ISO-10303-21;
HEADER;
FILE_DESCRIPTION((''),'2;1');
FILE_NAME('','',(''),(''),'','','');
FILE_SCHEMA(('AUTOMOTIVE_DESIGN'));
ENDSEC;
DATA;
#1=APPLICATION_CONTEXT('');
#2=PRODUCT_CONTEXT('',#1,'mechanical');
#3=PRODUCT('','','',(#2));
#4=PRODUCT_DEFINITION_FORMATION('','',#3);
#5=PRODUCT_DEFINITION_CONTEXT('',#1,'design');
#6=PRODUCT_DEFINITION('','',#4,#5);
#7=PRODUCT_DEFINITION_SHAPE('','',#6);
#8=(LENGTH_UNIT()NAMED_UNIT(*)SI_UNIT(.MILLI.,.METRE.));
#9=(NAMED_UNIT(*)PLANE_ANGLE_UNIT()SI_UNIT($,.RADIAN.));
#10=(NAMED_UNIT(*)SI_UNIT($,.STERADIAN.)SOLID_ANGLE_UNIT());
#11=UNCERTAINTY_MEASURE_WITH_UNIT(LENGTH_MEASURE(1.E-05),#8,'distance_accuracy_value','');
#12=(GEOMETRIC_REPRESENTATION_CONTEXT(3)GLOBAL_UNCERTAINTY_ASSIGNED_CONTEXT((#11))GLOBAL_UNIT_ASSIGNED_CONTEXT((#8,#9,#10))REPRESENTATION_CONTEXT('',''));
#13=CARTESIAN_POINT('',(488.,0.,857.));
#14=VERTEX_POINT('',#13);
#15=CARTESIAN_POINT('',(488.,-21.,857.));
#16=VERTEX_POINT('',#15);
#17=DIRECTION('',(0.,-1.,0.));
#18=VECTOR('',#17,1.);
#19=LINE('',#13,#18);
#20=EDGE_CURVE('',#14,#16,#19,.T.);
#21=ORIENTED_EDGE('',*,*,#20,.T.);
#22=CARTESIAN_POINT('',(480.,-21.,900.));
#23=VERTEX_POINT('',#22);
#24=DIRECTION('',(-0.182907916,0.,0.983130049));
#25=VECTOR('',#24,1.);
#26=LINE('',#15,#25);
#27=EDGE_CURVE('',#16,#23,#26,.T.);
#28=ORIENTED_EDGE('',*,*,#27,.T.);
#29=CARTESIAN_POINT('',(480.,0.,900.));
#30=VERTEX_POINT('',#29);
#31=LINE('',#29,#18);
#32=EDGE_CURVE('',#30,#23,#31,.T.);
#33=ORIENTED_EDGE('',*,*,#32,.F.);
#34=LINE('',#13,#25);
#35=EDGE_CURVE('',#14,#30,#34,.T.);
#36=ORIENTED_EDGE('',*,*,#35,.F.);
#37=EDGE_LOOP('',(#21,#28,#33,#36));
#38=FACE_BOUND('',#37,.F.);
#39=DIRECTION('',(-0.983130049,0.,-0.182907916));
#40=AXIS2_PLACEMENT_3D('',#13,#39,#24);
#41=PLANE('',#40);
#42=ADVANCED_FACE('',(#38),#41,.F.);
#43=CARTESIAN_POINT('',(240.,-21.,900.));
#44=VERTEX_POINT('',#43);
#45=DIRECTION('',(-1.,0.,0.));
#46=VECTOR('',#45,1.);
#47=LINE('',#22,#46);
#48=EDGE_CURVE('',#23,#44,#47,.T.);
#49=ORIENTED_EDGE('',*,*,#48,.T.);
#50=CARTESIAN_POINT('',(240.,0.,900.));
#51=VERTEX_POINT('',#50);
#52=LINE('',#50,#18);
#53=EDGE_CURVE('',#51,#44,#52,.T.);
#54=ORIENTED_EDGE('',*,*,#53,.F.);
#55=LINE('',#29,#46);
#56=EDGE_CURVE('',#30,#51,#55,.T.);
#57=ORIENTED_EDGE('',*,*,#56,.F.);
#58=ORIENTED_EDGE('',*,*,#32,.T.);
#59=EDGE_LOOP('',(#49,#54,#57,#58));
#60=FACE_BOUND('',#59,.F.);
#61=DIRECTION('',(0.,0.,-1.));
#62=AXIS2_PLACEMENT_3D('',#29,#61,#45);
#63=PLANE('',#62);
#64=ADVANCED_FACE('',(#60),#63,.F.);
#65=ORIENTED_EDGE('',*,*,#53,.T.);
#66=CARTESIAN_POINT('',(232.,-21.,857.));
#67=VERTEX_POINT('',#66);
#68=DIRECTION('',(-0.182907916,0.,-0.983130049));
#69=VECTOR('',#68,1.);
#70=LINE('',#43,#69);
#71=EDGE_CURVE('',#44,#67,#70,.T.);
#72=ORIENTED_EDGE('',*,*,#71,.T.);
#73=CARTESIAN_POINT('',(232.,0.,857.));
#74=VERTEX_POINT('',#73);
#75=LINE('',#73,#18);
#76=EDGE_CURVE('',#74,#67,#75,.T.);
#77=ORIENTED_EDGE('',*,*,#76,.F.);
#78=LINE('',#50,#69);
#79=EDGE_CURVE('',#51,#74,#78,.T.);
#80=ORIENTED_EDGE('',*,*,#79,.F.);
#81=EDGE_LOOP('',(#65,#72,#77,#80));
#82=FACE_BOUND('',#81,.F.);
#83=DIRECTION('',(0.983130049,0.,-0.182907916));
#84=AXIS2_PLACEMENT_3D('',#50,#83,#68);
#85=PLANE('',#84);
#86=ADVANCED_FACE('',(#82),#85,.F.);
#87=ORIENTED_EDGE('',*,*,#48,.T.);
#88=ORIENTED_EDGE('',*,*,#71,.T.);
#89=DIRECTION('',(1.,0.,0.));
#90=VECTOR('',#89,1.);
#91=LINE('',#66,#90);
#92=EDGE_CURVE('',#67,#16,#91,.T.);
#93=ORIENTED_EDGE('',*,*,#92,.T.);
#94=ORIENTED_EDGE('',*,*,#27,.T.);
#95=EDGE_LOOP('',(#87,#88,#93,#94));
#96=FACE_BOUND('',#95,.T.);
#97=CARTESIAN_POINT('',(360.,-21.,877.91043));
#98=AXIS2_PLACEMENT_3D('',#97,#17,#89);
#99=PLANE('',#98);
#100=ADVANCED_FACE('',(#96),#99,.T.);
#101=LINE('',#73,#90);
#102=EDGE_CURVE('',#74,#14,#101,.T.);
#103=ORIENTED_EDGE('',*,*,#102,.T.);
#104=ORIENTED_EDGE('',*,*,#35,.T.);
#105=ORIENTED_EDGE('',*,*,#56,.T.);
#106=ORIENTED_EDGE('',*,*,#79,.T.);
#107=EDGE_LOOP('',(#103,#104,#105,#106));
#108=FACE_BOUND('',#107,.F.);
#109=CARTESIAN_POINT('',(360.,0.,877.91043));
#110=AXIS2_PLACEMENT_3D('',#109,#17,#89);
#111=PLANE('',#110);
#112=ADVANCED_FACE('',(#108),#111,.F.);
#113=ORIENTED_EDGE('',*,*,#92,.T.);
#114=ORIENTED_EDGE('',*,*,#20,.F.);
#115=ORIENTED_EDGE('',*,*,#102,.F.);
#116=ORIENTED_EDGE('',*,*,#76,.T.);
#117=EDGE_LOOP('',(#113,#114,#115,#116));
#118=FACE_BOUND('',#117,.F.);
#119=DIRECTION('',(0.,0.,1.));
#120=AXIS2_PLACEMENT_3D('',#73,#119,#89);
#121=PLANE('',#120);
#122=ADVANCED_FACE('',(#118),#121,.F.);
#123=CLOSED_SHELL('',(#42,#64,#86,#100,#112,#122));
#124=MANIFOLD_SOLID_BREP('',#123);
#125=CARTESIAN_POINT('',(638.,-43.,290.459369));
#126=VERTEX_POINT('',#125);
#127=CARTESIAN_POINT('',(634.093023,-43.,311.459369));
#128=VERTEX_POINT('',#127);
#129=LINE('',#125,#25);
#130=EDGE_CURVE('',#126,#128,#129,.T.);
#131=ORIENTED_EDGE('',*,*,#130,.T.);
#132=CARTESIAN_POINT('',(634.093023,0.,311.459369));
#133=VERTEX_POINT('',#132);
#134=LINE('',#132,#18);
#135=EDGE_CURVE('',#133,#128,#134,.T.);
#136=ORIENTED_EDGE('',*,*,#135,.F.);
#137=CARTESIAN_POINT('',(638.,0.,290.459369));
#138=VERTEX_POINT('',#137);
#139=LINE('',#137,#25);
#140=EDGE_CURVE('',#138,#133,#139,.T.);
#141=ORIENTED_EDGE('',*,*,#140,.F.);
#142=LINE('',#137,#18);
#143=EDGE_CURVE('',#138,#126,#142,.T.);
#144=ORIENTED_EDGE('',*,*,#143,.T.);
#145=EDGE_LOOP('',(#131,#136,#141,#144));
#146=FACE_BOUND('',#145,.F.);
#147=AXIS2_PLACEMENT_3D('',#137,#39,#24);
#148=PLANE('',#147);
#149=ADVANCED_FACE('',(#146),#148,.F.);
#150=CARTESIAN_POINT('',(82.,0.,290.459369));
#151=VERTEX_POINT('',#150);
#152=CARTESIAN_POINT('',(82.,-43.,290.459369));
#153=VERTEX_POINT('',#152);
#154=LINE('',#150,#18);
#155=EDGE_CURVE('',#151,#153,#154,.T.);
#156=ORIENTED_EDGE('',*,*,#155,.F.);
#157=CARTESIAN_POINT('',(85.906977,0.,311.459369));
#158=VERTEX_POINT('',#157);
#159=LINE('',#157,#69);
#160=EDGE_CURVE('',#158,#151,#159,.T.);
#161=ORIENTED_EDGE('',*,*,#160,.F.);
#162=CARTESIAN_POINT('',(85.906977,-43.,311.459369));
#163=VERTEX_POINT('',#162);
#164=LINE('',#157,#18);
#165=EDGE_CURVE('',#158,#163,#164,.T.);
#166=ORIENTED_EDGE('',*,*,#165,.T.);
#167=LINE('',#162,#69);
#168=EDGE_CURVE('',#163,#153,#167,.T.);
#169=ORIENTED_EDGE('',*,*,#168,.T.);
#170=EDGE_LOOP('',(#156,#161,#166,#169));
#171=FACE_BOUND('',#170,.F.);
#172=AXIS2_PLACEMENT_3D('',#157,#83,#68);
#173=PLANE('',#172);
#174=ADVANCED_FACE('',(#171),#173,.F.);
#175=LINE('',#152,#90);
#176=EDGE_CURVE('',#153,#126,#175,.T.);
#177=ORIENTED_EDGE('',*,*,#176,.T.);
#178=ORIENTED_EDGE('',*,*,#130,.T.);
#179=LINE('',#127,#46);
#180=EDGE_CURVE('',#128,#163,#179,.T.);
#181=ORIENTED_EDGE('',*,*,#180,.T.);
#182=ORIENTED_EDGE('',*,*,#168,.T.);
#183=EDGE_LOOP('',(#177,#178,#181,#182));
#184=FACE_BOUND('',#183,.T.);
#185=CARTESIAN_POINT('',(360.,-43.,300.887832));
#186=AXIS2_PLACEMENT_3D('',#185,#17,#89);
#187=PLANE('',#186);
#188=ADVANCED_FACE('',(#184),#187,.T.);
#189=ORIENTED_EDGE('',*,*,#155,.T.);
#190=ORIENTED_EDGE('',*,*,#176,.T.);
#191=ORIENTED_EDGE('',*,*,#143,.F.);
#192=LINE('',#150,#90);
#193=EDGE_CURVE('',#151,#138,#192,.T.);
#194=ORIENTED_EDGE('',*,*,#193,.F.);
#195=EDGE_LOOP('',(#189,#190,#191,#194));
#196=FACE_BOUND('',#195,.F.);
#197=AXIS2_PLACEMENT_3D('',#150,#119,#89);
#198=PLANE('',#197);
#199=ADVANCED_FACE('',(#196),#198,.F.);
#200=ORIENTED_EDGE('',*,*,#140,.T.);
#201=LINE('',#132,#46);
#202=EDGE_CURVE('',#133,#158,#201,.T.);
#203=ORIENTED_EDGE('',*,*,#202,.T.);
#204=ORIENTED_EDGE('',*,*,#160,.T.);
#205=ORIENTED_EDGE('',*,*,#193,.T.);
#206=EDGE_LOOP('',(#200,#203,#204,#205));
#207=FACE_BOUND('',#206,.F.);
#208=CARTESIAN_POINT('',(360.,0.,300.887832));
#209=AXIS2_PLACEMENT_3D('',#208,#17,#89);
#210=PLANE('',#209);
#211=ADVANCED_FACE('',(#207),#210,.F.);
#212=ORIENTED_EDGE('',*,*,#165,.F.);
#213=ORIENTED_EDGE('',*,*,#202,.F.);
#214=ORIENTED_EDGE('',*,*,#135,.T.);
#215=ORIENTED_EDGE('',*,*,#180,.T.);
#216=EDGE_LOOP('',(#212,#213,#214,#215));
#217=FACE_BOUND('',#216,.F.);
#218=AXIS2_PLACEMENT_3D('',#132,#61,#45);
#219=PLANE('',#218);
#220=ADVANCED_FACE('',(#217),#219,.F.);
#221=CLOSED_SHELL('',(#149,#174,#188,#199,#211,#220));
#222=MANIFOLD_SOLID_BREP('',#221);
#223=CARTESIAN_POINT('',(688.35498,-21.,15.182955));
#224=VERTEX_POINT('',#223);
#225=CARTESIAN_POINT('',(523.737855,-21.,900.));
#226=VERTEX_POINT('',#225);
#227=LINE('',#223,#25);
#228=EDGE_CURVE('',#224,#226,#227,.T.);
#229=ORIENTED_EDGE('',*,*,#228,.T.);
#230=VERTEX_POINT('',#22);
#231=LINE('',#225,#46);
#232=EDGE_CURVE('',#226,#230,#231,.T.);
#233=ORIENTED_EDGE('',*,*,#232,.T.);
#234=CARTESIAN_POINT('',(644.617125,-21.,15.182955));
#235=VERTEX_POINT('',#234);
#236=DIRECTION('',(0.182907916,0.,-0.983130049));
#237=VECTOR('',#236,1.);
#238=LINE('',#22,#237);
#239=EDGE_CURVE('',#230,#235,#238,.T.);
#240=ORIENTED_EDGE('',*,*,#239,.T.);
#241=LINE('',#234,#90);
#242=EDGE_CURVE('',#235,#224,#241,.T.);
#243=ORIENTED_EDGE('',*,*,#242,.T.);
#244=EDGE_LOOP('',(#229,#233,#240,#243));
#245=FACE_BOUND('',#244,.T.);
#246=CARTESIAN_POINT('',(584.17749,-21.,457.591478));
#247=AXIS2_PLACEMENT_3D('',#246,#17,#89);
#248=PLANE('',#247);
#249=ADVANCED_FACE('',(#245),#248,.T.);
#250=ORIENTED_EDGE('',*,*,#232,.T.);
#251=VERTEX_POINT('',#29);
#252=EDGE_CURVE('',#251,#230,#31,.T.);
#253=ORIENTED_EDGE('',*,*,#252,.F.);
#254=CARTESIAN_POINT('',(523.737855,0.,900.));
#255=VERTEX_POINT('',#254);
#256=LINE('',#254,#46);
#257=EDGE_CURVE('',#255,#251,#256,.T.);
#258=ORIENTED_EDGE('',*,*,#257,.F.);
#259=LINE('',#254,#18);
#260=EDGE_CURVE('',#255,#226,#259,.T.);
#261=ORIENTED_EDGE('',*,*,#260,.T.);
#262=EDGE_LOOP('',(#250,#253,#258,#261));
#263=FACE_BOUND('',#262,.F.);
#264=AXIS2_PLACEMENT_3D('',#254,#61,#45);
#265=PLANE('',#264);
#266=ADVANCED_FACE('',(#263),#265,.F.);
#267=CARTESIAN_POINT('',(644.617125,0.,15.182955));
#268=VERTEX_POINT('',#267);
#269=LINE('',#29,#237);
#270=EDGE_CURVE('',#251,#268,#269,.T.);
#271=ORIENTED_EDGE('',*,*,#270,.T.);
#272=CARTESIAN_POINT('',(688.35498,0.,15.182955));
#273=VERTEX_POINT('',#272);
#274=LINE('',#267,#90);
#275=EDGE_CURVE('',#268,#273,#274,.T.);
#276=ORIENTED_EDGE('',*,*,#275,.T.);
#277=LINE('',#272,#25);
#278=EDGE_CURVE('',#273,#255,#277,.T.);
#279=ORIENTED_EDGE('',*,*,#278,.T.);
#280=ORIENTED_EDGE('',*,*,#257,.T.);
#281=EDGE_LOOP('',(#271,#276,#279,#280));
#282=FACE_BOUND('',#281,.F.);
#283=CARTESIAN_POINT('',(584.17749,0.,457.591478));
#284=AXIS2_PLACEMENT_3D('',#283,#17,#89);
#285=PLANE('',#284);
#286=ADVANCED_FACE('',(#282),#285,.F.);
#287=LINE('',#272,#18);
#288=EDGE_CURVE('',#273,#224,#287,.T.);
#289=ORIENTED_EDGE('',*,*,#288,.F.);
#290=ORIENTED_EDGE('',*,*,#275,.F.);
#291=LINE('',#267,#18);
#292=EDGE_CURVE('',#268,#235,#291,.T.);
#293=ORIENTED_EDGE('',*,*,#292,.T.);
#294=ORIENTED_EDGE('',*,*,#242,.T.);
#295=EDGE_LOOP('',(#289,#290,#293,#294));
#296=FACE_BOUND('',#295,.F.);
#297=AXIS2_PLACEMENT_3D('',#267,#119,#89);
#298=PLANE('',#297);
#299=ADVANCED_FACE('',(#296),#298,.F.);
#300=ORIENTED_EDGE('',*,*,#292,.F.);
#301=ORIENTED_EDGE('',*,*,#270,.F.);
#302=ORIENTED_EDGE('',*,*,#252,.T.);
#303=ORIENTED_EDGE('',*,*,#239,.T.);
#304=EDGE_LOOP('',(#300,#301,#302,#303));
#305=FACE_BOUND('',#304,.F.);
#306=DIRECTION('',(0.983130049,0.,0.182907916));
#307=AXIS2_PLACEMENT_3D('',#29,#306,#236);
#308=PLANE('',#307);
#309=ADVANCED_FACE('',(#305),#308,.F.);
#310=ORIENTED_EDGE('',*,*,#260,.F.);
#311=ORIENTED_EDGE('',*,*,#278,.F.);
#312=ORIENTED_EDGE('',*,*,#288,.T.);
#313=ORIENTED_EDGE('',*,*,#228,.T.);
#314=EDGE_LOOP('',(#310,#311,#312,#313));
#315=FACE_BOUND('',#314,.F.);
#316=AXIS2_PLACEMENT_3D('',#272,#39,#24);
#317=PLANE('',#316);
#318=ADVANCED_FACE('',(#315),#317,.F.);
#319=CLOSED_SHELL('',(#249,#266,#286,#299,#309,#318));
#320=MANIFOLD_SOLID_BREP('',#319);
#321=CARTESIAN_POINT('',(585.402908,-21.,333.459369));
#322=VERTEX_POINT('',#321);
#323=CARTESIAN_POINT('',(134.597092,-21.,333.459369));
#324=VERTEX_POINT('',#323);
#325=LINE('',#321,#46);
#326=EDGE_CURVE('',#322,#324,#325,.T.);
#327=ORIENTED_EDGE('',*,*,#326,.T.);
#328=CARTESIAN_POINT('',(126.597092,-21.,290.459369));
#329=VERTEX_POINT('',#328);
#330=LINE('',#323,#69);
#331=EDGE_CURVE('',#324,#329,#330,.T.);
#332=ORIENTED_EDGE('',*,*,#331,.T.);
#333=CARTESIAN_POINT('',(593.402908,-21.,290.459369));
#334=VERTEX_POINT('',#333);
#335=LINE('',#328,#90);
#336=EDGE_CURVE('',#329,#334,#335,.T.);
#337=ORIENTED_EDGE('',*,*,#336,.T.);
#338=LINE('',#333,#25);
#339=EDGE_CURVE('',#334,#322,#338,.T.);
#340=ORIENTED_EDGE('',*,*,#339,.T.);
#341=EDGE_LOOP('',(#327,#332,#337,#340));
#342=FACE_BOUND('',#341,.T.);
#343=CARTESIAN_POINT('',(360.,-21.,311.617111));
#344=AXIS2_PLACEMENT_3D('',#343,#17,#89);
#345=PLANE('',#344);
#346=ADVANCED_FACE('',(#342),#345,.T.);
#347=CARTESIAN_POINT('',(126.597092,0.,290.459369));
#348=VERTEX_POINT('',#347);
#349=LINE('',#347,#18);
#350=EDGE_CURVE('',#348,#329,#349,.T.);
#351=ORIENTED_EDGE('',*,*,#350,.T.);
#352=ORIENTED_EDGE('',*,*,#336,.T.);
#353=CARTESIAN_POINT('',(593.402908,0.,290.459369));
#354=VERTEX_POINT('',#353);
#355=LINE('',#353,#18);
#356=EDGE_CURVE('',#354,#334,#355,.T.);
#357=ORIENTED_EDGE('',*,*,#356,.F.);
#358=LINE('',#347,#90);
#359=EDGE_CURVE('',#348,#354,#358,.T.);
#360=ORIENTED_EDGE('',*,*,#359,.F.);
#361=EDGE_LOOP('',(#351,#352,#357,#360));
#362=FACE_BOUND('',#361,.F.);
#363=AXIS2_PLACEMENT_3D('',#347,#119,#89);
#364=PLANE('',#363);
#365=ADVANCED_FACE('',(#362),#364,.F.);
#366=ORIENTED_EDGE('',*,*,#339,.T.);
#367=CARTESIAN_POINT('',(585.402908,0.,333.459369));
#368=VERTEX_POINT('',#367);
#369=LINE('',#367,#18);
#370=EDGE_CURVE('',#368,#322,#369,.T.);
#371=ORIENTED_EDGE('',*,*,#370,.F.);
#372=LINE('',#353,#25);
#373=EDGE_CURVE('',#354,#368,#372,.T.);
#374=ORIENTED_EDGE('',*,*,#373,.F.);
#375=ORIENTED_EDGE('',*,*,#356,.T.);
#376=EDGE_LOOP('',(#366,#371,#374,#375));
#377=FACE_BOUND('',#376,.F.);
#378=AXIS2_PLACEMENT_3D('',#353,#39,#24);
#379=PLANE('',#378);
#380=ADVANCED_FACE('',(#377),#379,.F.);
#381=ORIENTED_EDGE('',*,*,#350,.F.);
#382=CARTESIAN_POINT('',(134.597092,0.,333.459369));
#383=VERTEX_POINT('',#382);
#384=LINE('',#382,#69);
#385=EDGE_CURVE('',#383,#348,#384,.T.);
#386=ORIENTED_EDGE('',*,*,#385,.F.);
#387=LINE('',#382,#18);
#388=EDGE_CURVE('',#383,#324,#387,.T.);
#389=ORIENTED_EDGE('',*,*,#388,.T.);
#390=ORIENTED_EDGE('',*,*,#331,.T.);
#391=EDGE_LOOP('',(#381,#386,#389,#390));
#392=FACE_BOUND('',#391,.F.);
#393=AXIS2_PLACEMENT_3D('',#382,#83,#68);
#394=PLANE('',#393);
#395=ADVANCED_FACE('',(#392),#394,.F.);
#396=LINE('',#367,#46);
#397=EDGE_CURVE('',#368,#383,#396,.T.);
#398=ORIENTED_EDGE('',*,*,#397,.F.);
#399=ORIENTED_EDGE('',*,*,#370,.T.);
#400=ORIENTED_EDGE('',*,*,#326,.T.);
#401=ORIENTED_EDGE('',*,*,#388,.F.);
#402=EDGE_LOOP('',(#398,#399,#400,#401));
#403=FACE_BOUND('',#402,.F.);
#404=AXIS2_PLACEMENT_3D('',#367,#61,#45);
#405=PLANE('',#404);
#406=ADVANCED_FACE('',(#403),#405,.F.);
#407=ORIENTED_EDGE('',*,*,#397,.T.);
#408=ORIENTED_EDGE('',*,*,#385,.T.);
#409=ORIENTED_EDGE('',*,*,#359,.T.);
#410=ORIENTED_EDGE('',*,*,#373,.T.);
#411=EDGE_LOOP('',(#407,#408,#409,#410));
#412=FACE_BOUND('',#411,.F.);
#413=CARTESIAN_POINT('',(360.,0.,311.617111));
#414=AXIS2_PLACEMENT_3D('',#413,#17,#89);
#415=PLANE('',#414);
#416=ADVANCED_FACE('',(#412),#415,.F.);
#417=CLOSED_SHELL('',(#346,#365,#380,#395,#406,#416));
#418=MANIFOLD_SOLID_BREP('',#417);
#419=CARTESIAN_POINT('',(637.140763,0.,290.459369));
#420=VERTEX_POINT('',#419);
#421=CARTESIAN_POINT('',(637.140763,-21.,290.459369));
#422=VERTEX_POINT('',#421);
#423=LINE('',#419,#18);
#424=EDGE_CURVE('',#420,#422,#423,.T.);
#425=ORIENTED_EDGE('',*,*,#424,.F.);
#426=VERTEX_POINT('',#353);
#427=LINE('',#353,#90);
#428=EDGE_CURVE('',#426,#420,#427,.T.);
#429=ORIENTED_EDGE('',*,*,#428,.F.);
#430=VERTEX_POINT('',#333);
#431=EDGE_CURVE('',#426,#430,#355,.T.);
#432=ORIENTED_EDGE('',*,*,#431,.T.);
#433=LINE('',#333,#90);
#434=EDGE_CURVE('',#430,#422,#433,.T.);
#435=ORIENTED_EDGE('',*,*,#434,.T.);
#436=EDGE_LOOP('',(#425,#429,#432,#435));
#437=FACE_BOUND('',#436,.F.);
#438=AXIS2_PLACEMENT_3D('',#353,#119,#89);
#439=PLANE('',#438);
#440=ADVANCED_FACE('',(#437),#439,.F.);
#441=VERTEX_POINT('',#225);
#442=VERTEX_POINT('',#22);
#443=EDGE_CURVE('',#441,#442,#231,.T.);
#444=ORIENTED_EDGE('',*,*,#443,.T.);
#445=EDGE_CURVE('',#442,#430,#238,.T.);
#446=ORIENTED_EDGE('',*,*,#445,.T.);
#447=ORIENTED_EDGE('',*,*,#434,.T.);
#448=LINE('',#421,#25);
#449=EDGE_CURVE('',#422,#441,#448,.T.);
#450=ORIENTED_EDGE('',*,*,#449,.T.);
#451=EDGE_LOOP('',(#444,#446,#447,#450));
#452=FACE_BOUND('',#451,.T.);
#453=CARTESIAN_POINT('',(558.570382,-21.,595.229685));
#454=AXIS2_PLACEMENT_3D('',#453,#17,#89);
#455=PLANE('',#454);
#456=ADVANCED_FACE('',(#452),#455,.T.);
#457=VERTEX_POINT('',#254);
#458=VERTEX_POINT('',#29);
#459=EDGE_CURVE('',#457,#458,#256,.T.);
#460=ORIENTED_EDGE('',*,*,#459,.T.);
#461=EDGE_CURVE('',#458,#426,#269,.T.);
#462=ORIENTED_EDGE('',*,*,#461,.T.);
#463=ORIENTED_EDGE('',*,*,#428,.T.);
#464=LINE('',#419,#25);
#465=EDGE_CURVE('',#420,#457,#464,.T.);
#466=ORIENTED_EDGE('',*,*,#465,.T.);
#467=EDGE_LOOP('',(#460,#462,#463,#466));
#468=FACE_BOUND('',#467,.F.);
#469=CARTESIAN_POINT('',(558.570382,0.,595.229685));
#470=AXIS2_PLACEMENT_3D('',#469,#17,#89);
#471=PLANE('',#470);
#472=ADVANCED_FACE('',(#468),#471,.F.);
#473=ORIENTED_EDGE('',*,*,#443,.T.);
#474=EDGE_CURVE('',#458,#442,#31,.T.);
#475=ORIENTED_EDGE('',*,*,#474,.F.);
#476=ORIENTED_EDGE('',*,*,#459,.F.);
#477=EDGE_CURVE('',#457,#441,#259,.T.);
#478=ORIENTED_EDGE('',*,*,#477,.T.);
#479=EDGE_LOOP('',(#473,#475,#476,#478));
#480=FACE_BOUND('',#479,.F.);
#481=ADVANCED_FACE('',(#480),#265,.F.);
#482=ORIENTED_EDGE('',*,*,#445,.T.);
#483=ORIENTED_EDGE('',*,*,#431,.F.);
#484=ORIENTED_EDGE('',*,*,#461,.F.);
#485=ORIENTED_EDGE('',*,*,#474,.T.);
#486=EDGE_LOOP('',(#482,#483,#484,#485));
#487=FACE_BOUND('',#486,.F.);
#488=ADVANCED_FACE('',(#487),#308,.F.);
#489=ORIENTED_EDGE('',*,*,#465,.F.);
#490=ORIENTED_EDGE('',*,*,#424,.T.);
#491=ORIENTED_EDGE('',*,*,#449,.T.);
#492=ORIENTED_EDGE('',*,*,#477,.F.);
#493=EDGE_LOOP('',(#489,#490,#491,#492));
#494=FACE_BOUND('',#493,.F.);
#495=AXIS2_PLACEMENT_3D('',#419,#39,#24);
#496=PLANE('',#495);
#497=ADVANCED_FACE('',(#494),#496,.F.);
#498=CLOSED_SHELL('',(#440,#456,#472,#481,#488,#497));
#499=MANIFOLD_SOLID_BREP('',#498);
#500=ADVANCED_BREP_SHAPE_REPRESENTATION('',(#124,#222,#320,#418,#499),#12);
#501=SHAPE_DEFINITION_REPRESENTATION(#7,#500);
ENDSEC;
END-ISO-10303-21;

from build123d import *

# Parameters (mm, degrees)
F8_DEPTH  = 21
F9_DEPTH  = 21
F10_DEPTH = 21
F11_DEPTH = 21
F12_DEPTH = 43


with BuildPart() as f8:
    # F3 (on Front) → F8 (new body)
    with BuildSketch(Plane.XZ):
        Polygon((688.3549800219, 15.1829554648), (523.7378554573, 900), (480, 900), (644.6171245647, 15.1829554648), align=None)
    extrude(amount=F8_DEPTH)


with BuildPart() as f9:
    # F4 (on Front) → F9 (new body)
    with BuildSketch(Plane.XZ):
        Polygon((480, 900), (593.4029080334, 290.4593693202), (637.1407634907, 290.4593693202), (523.7378554573, 900), align=None)
    extrude(amount=F9_DEPTH)


with BuildPart() as f10:
    # F5 (on Front) → F10 (new body)
    with BuildSketch(Plane.XZ):
        Polygon((480, 900), (360, 900), (240, 900), (232, 857), (360, 857), (488, 857), align=None)
    extrude(amount=F10_DEPTH)


with BuildPart() as f11:
    # F6 (on Front) → F11 (new body)
    with BuildSketch(Plane.XZ):
        Polygon((126.5970919666, 290.4593693202), (360, 290.4593693202), (593.4029080334, 290.4593693202), (585.4029080334, 333.4593693202), (360, 333.4593693202), (134.5970919666, 333.4593693202), align=None)
    extrude(amount=F11_DEPTH)


with BuildPart() as f12:
    # F7 (on Front) → F12 (new body)
    with BuildSketch(Plane.XZ):
        Polygon((82, 290.4593693202), (360, 290.4593693202), (638, 290.4593693202), (634.0930232558, 311.4593693202), (360, 311.4593693202), (85.9069767442, 311.4593693202), align=None)
    extrude(amount=F12_DEPTH)


solid = Compound([f8.part, f9.part, f10.part, f11.part, f12.part])
